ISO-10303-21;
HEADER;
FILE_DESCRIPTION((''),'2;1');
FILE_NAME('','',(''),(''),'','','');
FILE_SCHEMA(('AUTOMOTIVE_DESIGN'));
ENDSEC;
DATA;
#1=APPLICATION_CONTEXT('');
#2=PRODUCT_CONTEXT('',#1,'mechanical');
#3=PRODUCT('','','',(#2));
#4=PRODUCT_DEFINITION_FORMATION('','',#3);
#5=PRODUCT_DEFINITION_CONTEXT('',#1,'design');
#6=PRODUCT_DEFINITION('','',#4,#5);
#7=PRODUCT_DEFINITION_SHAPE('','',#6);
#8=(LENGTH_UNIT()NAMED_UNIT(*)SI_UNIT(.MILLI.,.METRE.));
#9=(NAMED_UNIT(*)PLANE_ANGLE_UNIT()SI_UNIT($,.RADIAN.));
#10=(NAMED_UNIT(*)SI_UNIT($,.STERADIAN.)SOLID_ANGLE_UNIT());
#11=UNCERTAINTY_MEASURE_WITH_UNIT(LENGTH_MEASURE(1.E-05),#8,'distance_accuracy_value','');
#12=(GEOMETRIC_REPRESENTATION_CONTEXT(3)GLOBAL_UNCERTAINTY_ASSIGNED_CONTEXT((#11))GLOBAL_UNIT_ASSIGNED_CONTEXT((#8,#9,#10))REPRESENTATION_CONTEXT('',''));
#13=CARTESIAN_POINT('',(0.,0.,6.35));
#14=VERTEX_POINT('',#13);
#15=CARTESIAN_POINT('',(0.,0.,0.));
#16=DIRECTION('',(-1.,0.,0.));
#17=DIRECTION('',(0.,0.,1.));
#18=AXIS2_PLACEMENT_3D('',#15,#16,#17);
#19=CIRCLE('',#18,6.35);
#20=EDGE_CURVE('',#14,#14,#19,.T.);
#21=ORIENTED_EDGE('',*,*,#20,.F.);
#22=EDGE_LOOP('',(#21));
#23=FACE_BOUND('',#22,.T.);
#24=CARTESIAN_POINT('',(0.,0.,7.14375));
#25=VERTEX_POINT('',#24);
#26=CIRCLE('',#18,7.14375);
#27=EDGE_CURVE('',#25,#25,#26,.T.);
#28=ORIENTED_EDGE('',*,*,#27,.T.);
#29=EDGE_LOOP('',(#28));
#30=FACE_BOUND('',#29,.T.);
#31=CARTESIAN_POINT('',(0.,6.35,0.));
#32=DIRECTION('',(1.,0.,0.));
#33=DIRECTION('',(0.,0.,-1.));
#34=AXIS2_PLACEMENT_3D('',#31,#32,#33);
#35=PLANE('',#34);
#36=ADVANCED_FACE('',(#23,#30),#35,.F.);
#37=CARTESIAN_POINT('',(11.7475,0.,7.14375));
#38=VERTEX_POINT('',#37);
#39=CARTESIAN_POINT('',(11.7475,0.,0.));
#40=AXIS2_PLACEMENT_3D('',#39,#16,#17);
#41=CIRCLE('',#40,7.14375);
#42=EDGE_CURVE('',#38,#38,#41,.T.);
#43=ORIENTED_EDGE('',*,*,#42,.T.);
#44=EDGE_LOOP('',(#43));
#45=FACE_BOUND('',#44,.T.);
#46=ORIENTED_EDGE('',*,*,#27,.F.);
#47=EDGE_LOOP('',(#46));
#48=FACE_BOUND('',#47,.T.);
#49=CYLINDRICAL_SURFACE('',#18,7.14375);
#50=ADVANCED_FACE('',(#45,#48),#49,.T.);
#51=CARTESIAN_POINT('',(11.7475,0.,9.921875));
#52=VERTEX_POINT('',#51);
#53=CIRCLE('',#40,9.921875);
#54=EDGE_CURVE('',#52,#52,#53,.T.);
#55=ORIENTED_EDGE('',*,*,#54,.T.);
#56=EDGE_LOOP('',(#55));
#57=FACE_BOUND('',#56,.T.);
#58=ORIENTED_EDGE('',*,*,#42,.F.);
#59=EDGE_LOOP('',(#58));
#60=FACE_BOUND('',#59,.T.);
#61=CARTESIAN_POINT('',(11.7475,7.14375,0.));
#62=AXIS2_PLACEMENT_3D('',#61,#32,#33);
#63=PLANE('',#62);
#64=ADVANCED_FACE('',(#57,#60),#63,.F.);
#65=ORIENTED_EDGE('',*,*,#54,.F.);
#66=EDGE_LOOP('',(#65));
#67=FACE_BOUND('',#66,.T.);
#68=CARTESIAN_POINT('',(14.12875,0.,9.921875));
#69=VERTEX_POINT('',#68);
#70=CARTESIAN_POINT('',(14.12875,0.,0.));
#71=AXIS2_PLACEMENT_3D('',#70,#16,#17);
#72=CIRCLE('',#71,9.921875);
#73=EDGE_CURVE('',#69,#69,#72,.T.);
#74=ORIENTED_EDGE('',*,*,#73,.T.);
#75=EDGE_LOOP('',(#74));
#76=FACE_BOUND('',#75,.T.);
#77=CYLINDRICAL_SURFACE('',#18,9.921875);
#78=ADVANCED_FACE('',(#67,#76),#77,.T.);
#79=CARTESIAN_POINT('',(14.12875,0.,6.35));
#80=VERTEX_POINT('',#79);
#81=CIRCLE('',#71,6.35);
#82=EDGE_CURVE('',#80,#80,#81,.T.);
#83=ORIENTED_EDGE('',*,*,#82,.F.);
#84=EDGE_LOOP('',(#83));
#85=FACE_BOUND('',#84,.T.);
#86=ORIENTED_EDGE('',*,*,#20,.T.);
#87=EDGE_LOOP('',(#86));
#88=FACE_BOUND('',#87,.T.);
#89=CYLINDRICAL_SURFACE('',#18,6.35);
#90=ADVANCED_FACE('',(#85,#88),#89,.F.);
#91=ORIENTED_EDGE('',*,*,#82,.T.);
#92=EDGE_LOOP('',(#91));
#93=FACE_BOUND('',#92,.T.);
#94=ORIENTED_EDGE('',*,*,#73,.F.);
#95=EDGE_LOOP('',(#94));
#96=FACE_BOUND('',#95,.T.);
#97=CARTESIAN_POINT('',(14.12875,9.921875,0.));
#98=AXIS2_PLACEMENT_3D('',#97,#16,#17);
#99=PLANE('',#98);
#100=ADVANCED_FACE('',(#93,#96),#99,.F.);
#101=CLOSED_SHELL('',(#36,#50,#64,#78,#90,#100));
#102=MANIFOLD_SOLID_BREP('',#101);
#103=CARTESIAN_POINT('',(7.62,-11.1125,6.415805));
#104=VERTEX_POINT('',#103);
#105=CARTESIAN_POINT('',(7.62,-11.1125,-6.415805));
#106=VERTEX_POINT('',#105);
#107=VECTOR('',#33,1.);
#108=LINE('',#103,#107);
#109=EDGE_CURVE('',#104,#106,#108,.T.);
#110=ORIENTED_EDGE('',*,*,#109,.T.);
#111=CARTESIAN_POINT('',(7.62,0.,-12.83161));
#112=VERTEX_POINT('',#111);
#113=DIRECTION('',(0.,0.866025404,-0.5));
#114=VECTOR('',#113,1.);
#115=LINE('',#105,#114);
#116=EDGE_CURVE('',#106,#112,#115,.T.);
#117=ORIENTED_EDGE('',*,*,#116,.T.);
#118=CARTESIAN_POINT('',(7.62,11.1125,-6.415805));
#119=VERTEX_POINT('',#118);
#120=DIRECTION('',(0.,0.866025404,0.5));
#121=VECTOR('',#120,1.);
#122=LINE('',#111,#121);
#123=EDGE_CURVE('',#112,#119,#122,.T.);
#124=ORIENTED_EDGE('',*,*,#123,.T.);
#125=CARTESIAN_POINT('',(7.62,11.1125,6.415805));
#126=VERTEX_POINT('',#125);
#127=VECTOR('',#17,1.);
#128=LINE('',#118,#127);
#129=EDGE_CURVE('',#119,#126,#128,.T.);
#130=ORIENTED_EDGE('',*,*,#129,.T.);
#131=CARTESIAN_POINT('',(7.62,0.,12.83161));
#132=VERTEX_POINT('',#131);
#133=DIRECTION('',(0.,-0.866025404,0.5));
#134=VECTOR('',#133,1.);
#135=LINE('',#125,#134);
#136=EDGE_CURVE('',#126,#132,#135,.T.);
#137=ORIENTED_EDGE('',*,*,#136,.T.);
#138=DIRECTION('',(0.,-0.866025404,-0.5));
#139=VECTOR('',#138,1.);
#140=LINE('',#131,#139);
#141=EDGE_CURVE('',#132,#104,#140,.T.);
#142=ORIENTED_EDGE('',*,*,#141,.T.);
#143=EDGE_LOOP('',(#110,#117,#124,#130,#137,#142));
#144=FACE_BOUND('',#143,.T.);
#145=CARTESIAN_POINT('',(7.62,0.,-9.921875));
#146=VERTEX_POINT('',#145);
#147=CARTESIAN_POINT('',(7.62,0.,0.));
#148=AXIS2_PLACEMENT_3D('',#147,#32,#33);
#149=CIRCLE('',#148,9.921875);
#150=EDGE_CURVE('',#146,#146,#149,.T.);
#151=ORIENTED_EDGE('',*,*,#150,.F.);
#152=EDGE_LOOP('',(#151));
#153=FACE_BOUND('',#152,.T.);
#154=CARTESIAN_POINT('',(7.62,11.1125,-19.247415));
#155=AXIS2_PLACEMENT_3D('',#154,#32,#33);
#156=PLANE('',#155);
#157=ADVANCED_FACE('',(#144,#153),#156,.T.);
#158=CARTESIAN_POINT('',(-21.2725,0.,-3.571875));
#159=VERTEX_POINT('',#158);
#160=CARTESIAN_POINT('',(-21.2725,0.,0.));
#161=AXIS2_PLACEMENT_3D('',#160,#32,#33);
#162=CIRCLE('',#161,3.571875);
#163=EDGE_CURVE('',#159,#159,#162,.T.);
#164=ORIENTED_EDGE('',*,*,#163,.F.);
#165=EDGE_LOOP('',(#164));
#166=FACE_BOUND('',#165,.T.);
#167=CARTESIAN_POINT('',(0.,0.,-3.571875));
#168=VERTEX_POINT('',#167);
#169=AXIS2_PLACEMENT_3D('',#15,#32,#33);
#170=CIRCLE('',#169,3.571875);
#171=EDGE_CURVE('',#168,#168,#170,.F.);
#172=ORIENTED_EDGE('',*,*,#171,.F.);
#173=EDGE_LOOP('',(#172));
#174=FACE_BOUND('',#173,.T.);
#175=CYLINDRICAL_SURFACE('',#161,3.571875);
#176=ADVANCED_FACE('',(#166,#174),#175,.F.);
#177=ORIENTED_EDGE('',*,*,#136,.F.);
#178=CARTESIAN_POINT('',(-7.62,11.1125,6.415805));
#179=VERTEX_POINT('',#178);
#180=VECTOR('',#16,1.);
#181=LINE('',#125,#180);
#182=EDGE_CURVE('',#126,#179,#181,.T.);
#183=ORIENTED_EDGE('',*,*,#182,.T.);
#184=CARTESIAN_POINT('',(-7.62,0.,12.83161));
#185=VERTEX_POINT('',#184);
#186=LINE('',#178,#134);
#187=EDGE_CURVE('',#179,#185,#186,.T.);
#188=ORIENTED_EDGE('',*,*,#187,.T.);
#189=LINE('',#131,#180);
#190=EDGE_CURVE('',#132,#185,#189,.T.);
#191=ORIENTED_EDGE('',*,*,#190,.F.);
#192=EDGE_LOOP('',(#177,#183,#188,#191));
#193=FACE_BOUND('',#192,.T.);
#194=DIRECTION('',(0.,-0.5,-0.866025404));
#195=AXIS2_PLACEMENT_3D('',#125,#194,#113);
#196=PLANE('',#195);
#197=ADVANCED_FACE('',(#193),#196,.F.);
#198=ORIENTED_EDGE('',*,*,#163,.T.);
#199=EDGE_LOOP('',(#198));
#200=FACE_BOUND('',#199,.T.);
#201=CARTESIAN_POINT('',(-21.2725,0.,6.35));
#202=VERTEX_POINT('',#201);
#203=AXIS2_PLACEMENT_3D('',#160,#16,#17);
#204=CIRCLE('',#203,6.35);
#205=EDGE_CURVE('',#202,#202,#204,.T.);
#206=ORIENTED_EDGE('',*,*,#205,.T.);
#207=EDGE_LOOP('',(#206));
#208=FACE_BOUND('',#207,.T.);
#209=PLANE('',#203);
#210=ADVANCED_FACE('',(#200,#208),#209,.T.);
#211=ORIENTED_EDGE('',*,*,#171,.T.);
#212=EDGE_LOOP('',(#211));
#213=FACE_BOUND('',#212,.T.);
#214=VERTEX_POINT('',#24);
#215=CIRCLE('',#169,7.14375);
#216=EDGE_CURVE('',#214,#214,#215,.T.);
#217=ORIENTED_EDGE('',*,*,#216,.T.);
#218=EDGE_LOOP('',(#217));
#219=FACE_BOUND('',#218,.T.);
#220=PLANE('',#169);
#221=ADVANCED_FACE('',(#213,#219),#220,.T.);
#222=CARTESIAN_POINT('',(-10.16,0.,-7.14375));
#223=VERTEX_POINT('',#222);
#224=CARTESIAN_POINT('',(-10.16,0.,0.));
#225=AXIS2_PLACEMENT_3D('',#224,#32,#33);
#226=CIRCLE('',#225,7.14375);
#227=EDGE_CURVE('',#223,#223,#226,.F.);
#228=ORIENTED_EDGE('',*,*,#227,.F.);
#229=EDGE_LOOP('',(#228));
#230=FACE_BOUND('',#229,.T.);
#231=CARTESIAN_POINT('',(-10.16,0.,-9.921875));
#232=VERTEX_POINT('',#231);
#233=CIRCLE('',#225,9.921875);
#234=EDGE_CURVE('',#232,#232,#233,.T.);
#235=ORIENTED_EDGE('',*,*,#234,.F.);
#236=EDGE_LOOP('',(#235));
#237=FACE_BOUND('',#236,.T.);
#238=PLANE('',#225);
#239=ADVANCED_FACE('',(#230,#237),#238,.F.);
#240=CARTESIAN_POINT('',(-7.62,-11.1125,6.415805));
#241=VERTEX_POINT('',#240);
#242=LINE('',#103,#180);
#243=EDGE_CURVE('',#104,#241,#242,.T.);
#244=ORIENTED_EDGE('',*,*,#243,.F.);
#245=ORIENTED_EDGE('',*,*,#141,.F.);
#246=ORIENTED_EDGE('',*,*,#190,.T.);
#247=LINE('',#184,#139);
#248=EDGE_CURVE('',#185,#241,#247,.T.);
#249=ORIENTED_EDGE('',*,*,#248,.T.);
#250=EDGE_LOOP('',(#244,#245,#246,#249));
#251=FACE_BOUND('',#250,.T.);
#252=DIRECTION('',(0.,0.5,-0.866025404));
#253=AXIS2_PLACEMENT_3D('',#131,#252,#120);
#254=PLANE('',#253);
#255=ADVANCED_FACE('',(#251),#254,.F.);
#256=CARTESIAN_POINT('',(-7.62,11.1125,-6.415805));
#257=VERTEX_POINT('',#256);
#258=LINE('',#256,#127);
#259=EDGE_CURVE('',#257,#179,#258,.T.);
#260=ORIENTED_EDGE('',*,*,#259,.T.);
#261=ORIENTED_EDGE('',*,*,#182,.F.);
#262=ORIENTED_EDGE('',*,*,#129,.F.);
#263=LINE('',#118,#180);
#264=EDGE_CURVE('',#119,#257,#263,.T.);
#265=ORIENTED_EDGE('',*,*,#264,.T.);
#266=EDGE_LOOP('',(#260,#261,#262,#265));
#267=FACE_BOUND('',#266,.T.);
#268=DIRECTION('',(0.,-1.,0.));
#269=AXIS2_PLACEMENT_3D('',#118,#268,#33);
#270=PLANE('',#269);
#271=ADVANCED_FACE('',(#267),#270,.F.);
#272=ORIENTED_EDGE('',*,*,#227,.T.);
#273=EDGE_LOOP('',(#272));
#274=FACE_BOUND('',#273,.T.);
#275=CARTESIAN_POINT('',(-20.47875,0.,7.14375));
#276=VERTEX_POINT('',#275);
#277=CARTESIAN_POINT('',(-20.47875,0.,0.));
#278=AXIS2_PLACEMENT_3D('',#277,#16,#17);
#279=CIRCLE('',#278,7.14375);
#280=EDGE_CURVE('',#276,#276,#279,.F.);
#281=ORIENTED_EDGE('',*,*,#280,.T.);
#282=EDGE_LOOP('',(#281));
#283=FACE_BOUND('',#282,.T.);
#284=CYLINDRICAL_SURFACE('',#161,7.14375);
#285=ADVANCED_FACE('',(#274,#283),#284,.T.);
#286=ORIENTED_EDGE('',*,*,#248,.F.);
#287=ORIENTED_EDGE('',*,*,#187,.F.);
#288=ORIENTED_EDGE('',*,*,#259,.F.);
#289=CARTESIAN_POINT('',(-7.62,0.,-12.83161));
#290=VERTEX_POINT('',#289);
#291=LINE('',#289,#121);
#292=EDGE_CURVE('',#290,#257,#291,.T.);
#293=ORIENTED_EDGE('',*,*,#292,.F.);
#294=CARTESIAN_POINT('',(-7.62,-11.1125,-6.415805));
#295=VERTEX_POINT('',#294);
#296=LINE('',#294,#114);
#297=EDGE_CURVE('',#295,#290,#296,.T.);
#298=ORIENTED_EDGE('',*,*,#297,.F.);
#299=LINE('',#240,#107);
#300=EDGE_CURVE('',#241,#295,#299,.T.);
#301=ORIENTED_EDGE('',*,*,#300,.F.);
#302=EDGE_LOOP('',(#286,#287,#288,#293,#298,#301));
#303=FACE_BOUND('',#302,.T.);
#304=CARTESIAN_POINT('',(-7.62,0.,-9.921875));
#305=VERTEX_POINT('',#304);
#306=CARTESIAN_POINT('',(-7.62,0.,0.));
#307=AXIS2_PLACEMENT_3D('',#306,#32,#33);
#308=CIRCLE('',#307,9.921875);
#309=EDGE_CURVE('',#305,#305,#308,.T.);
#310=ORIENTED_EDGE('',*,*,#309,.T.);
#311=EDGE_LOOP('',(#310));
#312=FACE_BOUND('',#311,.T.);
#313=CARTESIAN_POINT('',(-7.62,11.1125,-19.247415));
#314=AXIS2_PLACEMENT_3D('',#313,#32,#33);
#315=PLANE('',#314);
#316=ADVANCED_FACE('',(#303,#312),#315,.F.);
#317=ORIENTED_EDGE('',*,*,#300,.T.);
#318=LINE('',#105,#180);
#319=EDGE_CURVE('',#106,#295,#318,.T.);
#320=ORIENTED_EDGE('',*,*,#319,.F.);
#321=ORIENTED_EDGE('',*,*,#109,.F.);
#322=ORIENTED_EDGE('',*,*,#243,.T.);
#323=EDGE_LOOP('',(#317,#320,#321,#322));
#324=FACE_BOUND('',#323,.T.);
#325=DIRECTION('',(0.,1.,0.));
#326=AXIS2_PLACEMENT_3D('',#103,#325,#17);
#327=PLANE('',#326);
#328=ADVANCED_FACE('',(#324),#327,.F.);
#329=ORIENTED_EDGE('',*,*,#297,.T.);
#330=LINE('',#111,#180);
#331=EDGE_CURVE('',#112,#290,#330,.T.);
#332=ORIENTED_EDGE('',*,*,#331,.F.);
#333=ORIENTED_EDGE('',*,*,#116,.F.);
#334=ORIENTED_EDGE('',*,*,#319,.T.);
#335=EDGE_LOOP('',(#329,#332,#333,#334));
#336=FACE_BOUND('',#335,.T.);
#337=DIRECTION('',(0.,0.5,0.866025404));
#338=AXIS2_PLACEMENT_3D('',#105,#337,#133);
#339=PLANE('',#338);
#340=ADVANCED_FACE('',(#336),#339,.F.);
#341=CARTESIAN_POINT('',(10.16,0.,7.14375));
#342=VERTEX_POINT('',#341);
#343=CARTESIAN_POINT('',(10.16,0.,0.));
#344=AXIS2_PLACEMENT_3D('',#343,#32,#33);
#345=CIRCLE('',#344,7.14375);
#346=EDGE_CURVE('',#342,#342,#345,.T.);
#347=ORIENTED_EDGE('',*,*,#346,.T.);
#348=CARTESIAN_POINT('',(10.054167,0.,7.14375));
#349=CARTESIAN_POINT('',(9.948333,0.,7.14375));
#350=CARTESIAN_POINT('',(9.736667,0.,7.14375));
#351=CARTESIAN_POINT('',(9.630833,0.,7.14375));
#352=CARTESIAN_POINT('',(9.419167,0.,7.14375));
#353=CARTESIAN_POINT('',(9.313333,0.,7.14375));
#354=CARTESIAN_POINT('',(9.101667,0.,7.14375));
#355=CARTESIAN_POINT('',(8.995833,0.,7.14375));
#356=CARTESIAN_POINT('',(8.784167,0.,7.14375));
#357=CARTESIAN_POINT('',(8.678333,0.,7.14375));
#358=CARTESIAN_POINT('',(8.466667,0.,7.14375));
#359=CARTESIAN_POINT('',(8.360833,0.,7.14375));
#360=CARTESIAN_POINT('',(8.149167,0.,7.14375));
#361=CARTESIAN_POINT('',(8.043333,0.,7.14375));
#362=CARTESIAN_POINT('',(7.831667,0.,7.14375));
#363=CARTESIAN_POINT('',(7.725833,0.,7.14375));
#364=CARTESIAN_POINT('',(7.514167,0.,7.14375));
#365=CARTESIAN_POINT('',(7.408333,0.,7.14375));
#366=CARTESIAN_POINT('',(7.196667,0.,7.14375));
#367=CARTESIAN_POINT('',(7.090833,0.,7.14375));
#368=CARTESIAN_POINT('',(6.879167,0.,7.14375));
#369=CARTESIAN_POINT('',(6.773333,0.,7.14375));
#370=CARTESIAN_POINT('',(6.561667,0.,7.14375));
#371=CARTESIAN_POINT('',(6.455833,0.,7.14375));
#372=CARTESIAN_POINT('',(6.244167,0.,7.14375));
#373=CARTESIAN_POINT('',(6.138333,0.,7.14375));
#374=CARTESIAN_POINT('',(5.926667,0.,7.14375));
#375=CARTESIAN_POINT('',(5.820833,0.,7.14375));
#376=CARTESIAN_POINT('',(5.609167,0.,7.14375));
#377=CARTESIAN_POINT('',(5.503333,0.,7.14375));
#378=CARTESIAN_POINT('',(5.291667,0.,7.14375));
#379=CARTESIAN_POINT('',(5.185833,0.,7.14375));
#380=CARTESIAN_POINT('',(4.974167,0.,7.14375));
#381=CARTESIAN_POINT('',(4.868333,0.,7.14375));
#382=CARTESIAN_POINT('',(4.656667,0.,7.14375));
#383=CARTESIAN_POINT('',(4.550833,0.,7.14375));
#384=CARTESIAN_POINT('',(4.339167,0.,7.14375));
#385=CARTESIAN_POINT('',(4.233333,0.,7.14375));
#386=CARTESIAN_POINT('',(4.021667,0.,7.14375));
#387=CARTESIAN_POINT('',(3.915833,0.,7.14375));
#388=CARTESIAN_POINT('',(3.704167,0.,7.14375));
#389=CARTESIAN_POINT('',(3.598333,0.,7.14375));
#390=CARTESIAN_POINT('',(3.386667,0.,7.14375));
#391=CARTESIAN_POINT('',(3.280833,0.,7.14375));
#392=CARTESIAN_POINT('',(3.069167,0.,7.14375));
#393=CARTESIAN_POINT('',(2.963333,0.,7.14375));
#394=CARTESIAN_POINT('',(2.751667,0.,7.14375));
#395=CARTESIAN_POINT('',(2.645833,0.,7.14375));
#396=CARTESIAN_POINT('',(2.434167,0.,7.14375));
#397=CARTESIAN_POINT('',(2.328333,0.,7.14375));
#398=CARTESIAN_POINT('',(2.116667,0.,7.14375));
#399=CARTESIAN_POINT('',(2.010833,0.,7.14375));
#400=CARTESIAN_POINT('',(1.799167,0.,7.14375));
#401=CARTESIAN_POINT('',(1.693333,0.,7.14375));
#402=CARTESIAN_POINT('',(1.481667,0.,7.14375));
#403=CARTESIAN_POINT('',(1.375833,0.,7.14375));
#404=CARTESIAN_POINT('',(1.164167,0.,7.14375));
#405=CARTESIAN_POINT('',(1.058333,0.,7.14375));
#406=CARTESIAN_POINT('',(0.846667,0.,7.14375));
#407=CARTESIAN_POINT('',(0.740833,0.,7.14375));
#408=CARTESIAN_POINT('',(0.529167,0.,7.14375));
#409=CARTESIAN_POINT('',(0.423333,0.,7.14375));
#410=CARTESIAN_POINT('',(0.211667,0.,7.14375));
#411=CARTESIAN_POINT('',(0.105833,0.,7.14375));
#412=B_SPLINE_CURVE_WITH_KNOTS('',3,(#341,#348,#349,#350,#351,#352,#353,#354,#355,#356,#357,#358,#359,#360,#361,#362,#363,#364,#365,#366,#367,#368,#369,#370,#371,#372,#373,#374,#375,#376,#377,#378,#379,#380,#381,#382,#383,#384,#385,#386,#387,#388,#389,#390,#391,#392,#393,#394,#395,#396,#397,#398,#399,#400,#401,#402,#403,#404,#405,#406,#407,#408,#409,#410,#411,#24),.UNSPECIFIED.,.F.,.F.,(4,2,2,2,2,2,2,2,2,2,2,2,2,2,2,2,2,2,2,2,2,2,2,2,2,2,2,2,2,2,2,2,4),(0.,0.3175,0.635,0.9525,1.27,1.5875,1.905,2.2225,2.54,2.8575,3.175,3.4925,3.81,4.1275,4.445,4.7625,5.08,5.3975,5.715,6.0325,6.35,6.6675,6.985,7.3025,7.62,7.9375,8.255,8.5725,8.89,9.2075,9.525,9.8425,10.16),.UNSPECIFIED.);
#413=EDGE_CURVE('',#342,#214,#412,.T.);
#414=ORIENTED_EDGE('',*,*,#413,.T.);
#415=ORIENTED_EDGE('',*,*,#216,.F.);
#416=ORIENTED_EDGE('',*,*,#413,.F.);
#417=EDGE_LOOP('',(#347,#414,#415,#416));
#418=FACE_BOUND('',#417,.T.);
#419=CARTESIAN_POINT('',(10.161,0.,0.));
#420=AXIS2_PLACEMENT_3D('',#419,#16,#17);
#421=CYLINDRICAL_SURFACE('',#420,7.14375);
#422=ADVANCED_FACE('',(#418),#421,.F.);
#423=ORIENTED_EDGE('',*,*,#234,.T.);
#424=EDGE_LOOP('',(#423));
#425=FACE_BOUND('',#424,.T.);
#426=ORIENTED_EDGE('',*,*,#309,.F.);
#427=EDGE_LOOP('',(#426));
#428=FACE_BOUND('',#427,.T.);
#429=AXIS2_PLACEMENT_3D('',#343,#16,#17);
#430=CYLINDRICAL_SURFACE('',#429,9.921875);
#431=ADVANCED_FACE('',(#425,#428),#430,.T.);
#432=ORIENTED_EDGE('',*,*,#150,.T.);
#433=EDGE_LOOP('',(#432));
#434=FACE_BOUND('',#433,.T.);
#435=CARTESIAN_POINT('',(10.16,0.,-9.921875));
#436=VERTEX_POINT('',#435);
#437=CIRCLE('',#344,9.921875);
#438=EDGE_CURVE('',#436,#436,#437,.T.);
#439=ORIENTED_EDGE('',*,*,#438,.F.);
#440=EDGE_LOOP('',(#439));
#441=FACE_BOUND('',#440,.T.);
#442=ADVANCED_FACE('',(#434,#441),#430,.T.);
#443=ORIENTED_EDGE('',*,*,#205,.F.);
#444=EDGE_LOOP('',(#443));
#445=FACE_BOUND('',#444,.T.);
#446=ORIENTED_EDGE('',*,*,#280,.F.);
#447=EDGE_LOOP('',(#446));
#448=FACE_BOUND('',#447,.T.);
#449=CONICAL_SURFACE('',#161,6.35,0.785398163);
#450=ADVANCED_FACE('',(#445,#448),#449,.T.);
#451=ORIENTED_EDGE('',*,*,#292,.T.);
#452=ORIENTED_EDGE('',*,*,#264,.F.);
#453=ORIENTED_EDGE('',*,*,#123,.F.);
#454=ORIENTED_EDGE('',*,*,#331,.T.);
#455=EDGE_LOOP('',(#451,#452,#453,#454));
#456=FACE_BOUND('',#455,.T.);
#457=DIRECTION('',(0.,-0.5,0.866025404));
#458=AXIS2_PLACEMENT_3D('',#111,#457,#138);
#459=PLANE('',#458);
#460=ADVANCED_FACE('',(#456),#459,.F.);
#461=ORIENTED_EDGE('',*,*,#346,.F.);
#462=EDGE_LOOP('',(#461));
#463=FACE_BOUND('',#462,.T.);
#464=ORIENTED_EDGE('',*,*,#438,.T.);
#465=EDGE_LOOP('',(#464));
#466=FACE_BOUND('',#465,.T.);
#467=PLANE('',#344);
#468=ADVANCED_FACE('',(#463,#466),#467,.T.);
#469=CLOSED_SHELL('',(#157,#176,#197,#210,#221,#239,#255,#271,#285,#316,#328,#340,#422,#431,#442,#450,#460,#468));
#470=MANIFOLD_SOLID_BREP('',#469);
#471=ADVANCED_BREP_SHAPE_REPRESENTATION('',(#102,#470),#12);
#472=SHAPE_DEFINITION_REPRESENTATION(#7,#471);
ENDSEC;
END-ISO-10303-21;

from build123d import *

# Parameters (mm, degrees)
SKETCH2_R          = 9.921875
EXTRUDE1_DEPTH     = 10.16
EXTRUDE2_DEPTH     = 7.62
SKETCH4_R          = 7.14375
EXTRUDE3_DEPTH     = 11.1125
CHAMFER1_SIZE      = 0.79375
SKETCH5_R          = 3.571875
CUT_EXTRUDE1_DEPTH = 28.215016458
CUT_EXTRUDE2_REACH = 29.215
SKETCH6_R          = 7.14375


with BuildPart() as part:
    # Sketch2 → Extrude1 (new, symmetric)
    with BuildSketch(Plane(origin=(0, 0, 0), x_dir=(0, 0, -1), z_dir=(1, 0, 0))):
        Circle(SKETCH2_R)
    extrude(amount=EXTRUDE1_DEPTH, both=True)

    # Sketch3 → Extrude2 (add, symmetric)
    with BuildSketch(Plane(origin=(0, 0, 0), x_dir=(0, 0, -1), z_dir=(1, 0, 0))):
        Polygon((12.831609733, 0), (6.415804866, 11.1125), (-6.415804866, 11.1125), (-12.831609733, 0), (-6.415804866, -11.1125), (6.415804866, -11.1125), align=None)
    extrude(amount=EXTRUDE2_DEPTH, both=True)

    # Sketch4 → Extrude3 (add)
    with BuildSketch(Plane.ZY.offset(10.16)):
        Circle(SKETCH4_R)
    extrude(amount=EXTRUDE3_DEPTH)

    # Chamfer1
    chamfer1_edges = [part.edges().sort_by_distance(p)[0] for p in [
        (-21.2725, 0, -7.14375),
    ]]
    chamfer(chamfer1_edges, length=CHAMFER1_SIZE)

    # Sketch5 → Cut-Extrude1 (cut, through all)
    with BuildSketch(Plane(origin=(0, 0, 0), x_dir=(0, 0, -1), z_dir=(1, 0, 0))):
        Circle(SKETCH5_R)
    extrude(amount=-CUT_EXTRUDE1_DEPTH, mode=Mode.SUBTRACT)

    # Sketch6 → Cut-Extrude2 (cut, up to next)
    with BuildSketch(Plane(origin=(0, 0, 0), x_dir=(0, 0, -1), z_dir=(1, 0, 0)), mode=Mode.PRIVATE) as cut_extrude2_sk1:
        Circle(SKETCH6_R)
    cut_extrude2_tool1 = extrude(cut_extrude2_sk1.sketch, amount=CUT_EXTRUDE2_REACH, mode=Mode.PRIVATE) & part.part
    add(cut_extrude2_tool1.solids().sort_by_distance((0, 0, 0))[0], mode=Mode.SUBTRACT)


with BuildPart() as body_2:
    # Sketch7 → Revolve1 (revolve)
    with BuildSketch(Plane.XY):
        Polygon((0, 7.14375), (11.7475, 7.14375), (11.7475, 9.921875), (14.12875, 9.921875), (14.12875, 6.35), (0, 6.35), align=None)
    revolve(axis=Axis((0, 0, 0), (1, 0, 0)))


solid = Compound([part.part, body_2.part])
